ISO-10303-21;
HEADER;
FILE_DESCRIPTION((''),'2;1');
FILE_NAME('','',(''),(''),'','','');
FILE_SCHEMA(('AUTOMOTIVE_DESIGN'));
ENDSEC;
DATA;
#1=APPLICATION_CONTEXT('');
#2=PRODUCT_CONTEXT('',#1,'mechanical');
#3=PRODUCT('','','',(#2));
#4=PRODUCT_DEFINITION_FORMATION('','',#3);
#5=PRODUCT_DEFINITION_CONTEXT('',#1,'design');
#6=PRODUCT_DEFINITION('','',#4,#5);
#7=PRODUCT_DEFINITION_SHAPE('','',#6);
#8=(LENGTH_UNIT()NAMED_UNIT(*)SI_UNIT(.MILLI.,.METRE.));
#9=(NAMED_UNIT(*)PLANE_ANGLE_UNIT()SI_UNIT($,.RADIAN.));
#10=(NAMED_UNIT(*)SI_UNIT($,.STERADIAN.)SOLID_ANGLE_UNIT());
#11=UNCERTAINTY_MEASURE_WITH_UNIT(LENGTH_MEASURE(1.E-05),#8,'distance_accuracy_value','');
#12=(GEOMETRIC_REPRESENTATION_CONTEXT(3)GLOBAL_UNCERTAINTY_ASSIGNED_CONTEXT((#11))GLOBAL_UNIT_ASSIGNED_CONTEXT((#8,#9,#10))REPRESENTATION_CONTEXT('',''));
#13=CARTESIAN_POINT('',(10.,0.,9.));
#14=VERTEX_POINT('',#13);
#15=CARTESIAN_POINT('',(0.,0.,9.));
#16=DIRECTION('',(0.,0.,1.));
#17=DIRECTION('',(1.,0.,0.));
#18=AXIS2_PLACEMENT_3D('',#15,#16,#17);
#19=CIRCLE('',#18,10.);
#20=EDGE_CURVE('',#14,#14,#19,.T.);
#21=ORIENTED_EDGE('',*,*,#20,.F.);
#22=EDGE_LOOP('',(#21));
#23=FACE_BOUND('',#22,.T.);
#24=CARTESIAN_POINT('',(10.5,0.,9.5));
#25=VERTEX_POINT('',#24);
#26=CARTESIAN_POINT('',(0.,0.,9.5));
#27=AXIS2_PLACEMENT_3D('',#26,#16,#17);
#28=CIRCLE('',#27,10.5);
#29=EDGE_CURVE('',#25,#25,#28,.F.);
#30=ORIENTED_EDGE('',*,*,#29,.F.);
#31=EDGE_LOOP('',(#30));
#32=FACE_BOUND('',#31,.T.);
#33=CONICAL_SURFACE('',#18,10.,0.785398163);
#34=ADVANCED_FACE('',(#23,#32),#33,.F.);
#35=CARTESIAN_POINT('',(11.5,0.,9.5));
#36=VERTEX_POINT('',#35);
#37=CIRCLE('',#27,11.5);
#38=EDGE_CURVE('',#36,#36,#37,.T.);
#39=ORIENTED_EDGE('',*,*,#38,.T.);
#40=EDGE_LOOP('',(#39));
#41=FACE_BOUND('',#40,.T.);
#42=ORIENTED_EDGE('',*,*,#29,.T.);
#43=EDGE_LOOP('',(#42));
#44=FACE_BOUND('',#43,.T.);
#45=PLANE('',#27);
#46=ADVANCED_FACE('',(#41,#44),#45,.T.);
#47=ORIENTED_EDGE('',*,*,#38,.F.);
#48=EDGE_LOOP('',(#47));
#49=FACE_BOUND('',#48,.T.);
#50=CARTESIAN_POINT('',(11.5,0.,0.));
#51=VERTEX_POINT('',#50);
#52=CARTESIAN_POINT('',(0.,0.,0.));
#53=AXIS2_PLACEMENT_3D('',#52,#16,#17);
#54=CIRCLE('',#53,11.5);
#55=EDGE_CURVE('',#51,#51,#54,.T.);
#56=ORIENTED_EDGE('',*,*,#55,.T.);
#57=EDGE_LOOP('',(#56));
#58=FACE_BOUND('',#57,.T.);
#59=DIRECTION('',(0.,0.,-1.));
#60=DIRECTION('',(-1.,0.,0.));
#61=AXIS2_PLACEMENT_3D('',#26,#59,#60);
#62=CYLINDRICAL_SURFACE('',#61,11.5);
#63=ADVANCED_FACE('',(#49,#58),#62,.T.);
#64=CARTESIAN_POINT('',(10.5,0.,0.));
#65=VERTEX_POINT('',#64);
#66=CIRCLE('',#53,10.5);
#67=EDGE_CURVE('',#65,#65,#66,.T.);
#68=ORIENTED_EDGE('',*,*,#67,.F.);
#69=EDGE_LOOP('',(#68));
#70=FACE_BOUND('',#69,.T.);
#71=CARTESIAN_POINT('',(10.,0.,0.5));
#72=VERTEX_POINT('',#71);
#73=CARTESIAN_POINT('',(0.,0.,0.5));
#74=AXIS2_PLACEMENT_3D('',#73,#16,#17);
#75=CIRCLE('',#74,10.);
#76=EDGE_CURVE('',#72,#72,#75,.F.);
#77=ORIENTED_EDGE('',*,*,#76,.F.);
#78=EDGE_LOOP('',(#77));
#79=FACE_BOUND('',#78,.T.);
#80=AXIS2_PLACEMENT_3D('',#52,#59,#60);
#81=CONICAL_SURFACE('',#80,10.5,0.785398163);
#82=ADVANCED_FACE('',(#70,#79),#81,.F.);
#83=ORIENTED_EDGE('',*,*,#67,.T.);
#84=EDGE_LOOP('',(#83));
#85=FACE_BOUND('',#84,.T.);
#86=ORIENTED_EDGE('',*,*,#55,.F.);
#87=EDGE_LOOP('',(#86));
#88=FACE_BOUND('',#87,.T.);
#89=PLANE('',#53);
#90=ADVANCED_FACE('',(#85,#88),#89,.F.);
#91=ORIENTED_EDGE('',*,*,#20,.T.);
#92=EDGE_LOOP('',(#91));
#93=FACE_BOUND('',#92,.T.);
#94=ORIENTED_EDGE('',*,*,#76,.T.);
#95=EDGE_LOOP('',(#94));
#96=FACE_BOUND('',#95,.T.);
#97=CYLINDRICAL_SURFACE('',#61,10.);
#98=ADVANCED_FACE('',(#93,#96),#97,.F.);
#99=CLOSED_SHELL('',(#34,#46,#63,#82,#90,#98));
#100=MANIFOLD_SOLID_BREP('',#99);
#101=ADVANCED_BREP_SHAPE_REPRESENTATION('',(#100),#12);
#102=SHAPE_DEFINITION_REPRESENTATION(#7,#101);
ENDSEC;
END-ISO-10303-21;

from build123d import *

# Parameters (mm, degrees)
SKETCH_1_R      = 11.5
SKETCH_1_R_2    = 10
EXTRUDE_1_DEPTH = 9.5
CHAMFER_1_SIZE  = 0.5


with BuildPart() as part:
    # 草图1 → 凸台-拉伸1 (new body)
    with BuildSketch(Plane.XY):
        Circle(SKETCH_1_R)
        Circle(SKETCH_1_R_2, mode=Mode.SUBTRACT)
    extrude(amount=EXTRUDE_1_DEPTH)

    # 倒角1
    chamfer_1_edges = [part.edges().sort_by_distance(p)[0] for p in [
        (-10, 0, 0),
        (-10, 0, 9.5),
    ]]
    chamfer(chamfer_1_edges, length=CHAMFER_1_SIZE)


solid = part.part
